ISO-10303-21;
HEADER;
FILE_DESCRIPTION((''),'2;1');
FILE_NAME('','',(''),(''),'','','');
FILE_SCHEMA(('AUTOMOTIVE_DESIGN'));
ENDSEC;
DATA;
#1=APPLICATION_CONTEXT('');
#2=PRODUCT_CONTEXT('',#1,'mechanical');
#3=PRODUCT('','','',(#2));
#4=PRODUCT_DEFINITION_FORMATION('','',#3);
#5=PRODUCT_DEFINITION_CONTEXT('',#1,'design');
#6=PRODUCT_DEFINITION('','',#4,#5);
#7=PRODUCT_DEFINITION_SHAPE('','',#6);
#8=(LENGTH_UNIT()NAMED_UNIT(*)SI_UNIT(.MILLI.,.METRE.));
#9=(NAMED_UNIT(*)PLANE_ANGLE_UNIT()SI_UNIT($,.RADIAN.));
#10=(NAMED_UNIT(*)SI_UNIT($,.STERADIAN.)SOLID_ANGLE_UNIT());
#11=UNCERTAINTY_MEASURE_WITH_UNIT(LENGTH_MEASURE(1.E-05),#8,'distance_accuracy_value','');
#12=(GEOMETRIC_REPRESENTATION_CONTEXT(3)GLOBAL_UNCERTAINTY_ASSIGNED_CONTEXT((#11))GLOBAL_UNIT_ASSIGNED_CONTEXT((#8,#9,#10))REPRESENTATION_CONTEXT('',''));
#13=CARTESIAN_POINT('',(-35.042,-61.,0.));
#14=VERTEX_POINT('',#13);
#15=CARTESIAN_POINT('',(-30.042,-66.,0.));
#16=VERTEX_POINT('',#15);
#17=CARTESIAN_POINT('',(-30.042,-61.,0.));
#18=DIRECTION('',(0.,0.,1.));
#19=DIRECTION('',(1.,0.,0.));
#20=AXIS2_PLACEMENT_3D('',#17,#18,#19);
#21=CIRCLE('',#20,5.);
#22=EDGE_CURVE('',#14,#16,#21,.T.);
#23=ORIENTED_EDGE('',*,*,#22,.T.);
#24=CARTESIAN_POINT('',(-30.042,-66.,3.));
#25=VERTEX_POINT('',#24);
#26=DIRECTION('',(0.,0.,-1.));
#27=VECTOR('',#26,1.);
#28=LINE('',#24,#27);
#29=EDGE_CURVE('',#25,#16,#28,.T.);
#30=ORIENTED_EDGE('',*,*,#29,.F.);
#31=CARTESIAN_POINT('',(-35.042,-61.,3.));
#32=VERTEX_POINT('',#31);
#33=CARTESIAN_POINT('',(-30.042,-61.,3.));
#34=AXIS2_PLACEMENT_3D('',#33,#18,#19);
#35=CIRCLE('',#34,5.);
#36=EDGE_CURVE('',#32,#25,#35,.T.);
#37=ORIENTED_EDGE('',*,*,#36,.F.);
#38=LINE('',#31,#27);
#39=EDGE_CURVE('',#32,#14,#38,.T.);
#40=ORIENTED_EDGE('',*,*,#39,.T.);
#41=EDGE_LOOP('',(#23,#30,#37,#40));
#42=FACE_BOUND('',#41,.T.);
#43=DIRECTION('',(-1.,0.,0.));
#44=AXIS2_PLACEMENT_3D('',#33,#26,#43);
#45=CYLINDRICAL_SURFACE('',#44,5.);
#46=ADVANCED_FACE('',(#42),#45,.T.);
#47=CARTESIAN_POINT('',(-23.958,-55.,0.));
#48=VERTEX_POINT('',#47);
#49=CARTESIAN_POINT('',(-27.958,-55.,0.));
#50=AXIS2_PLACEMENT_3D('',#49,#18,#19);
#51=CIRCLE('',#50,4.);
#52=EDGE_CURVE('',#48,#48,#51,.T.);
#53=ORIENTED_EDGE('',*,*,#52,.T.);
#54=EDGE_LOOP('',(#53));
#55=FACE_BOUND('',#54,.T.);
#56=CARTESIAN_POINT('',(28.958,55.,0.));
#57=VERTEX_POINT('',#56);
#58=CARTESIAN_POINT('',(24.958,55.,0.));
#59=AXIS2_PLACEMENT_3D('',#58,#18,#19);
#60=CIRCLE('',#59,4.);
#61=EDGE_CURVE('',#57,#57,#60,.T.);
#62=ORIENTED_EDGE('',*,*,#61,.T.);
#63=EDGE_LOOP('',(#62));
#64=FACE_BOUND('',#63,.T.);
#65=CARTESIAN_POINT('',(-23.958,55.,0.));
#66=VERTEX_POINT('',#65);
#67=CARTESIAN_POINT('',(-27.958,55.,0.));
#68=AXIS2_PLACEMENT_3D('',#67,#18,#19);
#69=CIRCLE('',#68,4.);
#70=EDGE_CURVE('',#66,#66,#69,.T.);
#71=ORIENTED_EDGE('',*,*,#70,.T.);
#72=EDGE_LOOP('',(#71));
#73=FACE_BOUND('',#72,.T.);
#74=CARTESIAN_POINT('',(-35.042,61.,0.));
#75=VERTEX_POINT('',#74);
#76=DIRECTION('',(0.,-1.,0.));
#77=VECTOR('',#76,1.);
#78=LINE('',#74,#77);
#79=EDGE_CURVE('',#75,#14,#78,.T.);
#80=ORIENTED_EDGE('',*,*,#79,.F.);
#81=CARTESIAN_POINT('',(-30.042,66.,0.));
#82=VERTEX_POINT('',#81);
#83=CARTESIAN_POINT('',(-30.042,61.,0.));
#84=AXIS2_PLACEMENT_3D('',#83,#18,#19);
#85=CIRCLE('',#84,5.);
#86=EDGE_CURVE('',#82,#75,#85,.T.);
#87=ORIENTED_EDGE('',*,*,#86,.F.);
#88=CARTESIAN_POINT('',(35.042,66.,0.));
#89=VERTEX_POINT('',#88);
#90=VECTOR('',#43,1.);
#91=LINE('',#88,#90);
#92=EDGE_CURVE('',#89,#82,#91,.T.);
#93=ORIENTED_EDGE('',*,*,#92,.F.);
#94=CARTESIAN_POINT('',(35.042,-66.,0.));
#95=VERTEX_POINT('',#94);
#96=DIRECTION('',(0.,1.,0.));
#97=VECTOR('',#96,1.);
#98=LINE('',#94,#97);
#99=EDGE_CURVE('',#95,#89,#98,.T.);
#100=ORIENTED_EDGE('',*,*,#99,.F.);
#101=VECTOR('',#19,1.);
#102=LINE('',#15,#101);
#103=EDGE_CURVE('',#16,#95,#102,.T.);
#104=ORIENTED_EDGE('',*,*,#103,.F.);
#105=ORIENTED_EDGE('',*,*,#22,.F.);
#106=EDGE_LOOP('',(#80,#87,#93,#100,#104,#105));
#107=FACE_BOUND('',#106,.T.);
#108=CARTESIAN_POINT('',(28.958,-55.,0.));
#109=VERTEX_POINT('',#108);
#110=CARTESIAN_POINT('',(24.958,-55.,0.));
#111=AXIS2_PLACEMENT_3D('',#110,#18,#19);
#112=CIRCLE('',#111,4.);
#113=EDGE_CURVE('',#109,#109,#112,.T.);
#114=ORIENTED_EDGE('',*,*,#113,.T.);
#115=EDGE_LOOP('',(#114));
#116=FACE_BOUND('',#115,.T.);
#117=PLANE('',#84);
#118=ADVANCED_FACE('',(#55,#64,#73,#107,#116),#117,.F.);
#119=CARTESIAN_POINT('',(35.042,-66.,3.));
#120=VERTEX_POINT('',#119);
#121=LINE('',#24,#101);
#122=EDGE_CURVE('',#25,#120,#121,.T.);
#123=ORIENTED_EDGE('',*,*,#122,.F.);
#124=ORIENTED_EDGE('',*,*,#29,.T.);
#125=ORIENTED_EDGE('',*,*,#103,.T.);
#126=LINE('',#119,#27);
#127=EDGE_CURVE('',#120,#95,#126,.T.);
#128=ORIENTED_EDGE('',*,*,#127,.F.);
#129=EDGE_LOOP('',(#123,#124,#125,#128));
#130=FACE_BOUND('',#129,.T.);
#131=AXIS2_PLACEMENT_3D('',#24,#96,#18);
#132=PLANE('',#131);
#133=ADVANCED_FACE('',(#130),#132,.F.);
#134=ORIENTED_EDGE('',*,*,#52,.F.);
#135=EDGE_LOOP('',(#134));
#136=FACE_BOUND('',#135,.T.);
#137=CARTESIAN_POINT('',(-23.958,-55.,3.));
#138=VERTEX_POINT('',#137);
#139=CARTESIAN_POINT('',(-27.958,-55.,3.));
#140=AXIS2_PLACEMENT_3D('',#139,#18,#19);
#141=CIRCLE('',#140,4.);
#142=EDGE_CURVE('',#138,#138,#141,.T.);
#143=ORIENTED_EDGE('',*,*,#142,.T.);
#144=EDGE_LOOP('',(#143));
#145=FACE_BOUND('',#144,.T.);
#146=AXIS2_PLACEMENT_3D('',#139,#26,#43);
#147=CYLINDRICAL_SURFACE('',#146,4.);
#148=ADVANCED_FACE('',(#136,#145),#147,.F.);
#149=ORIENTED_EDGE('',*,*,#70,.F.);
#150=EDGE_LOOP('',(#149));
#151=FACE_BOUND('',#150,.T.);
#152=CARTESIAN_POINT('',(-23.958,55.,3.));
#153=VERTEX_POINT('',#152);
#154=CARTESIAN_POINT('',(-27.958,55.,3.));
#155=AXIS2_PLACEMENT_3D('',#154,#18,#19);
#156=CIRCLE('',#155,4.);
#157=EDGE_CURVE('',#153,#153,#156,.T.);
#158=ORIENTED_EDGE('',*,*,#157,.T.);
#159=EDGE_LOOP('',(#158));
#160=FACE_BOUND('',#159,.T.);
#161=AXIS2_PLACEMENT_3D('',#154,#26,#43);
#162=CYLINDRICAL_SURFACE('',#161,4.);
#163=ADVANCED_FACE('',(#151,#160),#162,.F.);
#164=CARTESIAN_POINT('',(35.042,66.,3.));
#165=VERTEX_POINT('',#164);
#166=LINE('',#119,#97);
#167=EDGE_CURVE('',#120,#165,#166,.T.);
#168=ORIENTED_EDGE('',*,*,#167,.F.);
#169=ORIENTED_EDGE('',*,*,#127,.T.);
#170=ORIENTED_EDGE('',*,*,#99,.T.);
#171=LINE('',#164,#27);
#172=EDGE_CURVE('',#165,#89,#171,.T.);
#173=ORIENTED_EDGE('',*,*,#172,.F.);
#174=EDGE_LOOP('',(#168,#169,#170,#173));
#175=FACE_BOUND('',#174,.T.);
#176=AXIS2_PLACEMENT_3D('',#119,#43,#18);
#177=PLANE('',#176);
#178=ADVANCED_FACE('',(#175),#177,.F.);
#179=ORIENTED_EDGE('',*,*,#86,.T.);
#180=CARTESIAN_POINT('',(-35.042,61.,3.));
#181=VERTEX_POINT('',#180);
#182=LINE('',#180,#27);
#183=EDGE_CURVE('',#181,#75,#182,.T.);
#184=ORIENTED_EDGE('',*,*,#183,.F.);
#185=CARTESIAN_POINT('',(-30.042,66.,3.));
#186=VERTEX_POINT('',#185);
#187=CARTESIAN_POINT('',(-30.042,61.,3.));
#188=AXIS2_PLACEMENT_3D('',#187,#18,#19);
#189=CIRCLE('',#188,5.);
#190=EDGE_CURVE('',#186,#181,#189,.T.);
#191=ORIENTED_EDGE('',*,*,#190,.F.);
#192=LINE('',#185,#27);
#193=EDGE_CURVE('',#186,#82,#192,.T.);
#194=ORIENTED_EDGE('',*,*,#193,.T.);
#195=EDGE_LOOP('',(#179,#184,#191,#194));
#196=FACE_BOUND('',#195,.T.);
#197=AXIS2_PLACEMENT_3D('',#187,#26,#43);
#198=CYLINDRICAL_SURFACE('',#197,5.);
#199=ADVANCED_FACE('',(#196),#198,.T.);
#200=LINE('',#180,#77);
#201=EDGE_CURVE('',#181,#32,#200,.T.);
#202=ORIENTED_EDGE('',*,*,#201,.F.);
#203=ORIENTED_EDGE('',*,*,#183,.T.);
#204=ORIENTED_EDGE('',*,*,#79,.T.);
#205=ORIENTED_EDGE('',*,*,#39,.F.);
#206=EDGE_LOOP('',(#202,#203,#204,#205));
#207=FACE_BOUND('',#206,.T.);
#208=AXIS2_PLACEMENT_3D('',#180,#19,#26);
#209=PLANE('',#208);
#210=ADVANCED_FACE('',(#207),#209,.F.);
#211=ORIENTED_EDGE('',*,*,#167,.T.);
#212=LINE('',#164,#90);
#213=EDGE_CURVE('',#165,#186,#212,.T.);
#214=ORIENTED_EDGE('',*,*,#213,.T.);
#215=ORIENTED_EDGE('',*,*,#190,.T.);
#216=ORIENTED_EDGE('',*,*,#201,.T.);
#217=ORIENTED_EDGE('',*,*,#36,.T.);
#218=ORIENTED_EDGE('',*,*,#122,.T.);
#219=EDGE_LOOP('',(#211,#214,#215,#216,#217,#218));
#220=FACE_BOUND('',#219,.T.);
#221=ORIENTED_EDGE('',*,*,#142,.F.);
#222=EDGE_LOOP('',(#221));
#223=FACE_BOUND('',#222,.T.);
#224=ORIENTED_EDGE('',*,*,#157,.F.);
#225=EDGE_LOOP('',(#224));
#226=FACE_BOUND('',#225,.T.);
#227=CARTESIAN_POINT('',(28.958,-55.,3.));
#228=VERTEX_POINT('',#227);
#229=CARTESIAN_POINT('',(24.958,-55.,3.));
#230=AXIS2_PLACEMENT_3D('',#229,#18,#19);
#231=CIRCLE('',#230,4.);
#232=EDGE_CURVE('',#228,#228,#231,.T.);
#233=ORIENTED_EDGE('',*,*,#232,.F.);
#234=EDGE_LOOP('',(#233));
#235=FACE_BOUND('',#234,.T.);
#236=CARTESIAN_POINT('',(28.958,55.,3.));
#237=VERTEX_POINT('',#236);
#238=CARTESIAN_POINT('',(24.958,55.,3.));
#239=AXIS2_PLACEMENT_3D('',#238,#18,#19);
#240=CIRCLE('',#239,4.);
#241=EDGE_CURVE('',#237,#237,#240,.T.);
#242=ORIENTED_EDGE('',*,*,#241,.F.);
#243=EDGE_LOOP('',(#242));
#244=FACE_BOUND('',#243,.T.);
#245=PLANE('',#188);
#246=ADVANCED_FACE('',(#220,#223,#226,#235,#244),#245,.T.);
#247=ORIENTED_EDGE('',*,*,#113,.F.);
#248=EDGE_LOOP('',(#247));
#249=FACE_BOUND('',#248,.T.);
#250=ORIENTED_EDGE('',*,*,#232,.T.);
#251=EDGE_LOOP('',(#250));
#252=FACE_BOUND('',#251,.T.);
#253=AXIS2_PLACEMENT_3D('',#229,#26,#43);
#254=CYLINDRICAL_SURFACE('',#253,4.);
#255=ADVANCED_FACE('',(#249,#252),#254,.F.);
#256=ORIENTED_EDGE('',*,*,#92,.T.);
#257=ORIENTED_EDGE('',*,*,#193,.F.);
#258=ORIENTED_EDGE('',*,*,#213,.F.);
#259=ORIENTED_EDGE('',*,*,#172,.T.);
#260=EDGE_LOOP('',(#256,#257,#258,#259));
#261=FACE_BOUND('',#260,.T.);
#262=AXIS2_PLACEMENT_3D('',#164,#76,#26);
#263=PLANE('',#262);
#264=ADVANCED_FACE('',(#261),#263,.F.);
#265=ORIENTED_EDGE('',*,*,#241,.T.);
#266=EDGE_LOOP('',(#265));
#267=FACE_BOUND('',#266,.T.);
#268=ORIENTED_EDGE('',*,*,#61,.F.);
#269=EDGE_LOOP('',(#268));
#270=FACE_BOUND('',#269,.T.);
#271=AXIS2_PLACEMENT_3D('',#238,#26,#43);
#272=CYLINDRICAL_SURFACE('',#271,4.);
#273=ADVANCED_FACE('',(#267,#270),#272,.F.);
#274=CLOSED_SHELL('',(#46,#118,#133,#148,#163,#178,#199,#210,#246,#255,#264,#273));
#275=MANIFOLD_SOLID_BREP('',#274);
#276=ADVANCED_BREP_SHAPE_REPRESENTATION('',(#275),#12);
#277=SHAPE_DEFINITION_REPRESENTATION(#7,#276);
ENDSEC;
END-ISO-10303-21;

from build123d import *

# Parameters (mm, degrees)
SKETCH1_R           = 4
BOSS_EXTRUDE1_DEPTH = 3


with BuildPart() as part:
    # Sketch1 → Boss-Extrude1 (new body)
    with BuildSketch(Plane.XY):
        with BuildLine():
            Line((-35.042, 61), (-35.042, -61))
            ThreePointArc((-35.042, -61), (-33.577533906, -64.535533906), (-30.042, -66))
            Line((-30.042, -66), (35.042, -66))
            Line((35.042, -66), (35.042, 66))
            Line((35.042, 66), (-30.042, 66))
            ThreePointArc((-30.042, 66), (-33.577533906, 64.535533906), (-35.042, 61))
        make_face()
        with Locations((24.958, 55)):
            Circle(SKETCH1_R, mode=Mode.SUBTRACT)
        with Locations((-27.958, 55)):
            Circle(SKETCH1_R, mode=Mode.SUBTRACT)
        with Locations((-27.958, -55)):
            Circle(SKETCH1_R, mode=Mode.SUBTRACT)
        with Locations((24.958, -55)):
            Circle(SKETCH1_R, mode=Mode.SUBTRACT)
    extrude(amount=BOSS_EXTRUDE1_DEPTH)


solid = part.part
